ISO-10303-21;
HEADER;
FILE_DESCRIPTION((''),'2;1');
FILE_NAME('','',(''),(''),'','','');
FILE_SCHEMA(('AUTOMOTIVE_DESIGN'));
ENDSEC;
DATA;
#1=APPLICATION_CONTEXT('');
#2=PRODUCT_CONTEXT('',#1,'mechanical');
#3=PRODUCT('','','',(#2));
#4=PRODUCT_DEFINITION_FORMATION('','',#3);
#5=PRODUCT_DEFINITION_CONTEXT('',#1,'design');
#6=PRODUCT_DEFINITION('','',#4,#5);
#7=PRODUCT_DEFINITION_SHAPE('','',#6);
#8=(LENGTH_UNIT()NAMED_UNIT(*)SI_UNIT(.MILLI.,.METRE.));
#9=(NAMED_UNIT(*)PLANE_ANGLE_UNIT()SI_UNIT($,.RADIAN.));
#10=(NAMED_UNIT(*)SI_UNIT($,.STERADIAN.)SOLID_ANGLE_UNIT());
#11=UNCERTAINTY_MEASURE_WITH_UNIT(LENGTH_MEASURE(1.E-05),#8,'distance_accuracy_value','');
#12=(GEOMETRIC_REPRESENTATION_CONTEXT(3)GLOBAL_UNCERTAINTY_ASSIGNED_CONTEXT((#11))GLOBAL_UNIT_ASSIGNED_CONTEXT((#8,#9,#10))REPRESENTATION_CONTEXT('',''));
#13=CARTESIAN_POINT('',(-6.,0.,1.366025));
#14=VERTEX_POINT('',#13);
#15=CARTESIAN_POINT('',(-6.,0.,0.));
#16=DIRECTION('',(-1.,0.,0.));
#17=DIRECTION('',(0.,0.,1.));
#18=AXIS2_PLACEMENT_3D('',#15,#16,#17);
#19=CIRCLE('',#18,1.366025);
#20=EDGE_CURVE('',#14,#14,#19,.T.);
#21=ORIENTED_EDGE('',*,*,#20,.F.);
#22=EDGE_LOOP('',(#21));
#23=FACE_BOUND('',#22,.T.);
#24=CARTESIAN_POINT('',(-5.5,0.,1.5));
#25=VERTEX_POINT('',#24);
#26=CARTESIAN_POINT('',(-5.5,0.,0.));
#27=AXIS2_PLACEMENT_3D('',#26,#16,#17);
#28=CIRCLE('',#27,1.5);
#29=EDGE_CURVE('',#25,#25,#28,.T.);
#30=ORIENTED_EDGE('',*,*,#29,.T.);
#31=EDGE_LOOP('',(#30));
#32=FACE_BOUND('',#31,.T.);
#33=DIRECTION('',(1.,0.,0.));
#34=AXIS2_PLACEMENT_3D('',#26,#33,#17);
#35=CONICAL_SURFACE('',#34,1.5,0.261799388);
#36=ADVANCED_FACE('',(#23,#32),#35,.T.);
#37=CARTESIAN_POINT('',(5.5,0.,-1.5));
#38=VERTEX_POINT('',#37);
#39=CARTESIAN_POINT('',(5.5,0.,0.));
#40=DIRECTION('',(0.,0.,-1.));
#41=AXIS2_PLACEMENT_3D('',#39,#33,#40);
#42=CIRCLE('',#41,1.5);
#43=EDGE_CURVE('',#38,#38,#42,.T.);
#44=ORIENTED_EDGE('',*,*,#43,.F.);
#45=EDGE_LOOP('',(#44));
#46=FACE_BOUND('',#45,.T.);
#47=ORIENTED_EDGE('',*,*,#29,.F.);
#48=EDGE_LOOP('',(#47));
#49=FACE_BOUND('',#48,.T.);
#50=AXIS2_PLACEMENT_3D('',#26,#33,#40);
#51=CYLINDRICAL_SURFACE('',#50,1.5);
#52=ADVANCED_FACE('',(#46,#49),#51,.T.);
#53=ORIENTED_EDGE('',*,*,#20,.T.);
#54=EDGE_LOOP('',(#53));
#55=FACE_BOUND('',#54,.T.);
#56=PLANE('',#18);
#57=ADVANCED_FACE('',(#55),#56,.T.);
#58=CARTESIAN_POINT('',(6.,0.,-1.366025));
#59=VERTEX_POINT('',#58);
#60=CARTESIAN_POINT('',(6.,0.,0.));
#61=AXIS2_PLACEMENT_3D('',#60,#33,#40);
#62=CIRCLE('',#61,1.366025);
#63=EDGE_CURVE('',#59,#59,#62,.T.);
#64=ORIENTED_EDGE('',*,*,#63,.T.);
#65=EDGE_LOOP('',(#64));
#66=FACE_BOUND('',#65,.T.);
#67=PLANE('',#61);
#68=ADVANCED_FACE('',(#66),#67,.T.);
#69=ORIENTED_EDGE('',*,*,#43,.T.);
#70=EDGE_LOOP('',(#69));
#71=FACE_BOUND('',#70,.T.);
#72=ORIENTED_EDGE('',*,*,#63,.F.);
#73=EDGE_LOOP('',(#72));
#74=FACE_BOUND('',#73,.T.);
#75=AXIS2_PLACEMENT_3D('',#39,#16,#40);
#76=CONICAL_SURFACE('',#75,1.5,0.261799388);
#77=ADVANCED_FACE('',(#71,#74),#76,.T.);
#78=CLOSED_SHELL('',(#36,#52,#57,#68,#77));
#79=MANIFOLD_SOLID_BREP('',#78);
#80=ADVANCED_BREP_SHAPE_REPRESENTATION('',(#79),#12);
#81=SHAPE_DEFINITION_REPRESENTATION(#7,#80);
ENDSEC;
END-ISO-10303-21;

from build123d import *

# Parameters (mm, degrees)
SKETCH2_R           = 1.5
EXTRUDE1_DEPTH      = 5.5
EXTRUDE1_DEPTH_BACK = 5.5
SKETCH3_R           = 1.5
EXTRUDE2_DEPTH      = 0.5
EXTRUDE2_TAPER      = 15
SKETCH4_R           = 1.5
EXTRUDE3_DEPTH      = 0.5
EXTRUDE3_TAPER      = 15


with BuildPart() as part:
    # Sketch2 → Extrude1 (new body, two sides)
    with BuildSketch(Plane(origin=(0, 0, 0), x_dir=(0, 0, -1), z_dir=(1, 0, 0))) as extrude1_sk:
        Circle(SKETCH2_R)
    extrude(amount=EXTRUDE1_DEPTH)
    extrude(extrude1_sk.sketch, amount=-EXTRUDE1_DEPTH_BACK)

    # Sketch3 → Extrude2 (add)
    with BuildSketch(Plane(origin=(5.5, 0, 0), x_dir=(0, 0, -1), z_dir=(1, 0, 0))):
        Circle(SKETCH3_R)
    extrude(amount=EXTRUDE2_DEPTH, taper=EXTRUDE2_TAPER)

    # Sketch4 → Extrude3 (add)
    with BuildSketch(Plane.ZY.offset(5.5)):
        Circle(SKETCH4_R)
    extrude(amount=EXTRUDE3_DEPTH, taper=EXTRUDE3_TAPER)


solid = part.part
